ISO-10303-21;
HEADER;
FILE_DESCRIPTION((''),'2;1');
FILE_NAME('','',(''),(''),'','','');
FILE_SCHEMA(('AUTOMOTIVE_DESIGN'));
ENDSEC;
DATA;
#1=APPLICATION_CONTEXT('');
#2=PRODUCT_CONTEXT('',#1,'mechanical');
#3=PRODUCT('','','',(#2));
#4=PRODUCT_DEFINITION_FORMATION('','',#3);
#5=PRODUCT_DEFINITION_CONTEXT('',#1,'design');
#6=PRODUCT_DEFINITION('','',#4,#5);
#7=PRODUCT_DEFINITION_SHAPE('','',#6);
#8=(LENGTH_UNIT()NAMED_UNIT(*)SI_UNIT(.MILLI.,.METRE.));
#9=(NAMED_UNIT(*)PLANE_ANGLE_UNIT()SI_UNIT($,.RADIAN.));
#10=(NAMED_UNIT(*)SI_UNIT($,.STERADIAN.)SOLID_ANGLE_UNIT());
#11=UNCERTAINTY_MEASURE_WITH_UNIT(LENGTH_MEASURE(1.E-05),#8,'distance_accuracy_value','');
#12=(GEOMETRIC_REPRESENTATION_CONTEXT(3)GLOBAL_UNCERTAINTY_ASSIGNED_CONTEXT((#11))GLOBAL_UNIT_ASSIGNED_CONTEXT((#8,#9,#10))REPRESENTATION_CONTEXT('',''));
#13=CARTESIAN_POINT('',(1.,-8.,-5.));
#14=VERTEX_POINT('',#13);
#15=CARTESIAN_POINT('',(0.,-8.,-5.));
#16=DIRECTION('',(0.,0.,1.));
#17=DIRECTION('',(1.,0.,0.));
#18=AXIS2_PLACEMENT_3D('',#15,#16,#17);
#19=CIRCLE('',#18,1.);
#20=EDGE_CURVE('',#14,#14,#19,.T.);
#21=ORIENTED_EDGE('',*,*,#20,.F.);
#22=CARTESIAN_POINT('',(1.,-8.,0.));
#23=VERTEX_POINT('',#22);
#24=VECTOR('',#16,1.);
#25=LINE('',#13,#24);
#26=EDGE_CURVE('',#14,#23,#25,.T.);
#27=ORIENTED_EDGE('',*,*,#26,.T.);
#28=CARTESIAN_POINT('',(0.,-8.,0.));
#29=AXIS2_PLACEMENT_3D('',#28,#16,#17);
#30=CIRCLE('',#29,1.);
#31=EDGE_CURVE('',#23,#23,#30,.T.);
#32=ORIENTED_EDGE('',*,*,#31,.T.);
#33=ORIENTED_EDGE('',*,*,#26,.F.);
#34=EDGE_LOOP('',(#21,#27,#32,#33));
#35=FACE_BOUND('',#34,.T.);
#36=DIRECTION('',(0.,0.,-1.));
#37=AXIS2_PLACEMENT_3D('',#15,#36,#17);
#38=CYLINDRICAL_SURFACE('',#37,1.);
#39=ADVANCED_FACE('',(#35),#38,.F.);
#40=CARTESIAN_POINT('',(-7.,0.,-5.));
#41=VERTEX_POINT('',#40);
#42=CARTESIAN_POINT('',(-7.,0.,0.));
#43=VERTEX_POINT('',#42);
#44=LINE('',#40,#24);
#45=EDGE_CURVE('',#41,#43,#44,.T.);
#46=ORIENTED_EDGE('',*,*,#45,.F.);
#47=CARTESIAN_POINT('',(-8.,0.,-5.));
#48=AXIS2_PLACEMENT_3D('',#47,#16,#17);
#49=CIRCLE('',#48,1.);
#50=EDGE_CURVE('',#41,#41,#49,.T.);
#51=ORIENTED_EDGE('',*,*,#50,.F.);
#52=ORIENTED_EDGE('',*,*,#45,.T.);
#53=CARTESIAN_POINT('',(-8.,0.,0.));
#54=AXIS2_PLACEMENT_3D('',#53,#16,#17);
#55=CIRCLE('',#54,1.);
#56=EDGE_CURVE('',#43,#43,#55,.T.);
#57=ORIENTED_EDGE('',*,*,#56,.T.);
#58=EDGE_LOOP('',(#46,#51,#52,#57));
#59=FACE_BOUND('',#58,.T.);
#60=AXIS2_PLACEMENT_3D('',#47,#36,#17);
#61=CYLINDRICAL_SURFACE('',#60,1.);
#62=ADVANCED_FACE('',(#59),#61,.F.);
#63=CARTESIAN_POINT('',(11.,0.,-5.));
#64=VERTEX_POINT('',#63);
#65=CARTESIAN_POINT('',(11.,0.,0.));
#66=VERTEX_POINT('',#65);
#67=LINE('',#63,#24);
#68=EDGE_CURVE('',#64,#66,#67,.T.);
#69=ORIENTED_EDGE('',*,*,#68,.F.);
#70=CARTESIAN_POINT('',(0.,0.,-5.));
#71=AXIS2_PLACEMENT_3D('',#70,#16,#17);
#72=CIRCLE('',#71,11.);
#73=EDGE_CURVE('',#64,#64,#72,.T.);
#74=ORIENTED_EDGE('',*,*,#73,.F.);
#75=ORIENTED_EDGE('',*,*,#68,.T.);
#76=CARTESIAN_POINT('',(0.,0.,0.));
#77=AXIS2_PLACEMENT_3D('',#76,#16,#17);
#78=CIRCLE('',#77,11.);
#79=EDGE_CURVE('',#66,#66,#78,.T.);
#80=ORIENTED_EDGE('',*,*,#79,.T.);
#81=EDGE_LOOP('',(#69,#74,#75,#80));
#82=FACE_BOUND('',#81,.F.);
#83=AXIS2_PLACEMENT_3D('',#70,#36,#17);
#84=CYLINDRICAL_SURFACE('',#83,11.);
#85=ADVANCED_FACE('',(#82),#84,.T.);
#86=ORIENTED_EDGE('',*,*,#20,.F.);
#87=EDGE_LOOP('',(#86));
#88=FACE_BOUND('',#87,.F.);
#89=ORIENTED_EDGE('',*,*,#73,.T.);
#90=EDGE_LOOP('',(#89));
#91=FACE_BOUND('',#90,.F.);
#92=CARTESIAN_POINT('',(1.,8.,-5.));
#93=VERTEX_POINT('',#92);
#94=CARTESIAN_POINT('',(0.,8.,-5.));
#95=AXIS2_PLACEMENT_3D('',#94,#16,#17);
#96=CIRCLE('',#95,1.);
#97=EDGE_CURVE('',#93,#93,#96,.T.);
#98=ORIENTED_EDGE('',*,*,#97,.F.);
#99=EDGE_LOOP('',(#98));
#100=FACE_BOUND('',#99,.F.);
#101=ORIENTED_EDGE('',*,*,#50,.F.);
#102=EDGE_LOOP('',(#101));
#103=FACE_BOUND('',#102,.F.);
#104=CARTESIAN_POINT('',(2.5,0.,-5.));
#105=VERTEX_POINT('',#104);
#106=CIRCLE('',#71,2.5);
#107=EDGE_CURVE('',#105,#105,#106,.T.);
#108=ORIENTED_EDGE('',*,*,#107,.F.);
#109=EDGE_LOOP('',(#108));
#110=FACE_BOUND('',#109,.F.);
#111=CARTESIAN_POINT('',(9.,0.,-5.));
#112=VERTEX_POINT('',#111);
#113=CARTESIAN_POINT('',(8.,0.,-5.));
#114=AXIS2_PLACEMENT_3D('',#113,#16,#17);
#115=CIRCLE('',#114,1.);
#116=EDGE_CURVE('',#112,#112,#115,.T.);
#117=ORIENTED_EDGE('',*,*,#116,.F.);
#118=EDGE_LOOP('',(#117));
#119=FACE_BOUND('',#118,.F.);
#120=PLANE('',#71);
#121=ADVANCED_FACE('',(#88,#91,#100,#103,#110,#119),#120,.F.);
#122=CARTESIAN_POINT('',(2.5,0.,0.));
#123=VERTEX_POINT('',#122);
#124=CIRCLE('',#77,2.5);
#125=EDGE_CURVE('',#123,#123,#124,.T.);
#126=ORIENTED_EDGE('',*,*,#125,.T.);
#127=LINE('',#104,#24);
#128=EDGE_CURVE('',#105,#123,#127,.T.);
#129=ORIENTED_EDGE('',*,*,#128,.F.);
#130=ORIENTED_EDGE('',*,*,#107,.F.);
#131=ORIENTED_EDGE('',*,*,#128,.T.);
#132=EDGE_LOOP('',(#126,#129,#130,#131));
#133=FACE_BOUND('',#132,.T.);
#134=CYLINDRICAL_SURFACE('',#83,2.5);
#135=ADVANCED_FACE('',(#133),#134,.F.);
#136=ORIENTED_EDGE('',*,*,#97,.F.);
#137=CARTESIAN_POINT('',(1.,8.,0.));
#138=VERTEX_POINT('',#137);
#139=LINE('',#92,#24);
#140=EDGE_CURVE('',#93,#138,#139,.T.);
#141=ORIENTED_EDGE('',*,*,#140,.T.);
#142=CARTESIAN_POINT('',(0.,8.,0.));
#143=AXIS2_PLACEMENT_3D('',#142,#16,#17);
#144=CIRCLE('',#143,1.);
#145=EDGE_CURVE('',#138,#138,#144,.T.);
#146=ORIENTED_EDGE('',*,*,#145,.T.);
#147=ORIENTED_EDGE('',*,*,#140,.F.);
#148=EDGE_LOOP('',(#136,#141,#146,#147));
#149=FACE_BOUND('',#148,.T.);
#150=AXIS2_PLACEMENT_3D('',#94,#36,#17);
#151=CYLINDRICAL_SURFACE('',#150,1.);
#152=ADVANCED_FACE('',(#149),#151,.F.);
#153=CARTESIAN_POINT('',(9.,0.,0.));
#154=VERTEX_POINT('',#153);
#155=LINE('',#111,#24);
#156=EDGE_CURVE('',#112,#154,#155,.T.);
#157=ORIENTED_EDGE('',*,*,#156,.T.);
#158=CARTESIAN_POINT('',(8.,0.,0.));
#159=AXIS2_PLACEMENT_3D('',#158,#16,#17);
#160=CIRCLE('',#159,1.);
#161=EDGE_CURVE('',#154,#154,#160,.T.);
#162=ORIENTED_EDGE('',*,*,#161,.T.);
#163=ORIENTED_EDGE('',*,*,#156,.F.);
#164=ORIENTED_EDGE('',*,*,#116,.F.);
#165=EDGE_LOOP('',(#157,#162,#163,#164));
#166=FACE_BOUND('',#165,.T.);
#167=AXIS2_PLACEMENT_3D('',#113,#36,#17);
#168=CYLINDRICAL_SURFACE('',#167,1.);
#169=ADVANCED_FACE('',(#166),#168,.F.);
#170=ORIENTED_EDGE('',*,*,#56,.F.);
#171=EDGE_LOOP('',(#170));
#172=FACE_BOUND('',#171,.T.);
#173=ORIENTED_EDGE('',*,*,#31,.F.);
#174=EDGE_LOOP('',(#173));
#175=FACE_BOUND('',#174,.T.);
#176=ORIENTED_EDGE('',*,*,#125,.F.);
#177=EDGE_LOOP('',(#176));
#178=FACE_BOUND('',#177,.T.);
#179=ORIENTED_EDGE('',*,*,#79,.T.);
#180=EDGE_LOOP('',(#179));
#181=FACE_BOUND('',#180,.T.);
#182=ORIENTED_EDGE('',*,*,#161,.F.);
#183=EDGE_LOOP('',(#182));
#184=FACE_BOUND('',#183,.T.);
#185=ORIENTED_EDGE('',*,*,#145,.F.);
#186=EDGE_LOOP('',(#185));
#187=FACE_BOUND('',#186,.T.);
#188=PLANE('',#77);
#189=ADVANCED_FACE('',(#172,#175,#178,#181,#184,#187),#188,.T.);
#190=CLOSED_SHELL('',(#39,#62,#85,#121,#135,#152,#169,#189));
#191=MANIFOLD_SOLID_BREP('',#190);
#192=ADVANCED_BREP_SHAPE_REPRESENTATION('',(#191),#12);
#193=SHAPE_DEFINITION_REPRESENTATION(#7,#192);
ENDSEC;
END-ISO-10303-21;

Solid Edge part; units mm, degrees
sketch "Sketch1" plane through (0, 0, -5) normal (0, 0, 1) x (1, 0, 0)
  circle A0 centre (0, 0) radius 11
  circle A1 centre (0, 0) radius 2.5
  circle A2 centre (8, 0) radius 1
  circle A3 centre (0, 8) radius 1
  circle A4 centre (-8, 0) radius 1
  circle A5 centre (0, -8) radius 1
extrude "ExtrudedProtrusion_1" add sketch "Sketch1" along normal blind 5
